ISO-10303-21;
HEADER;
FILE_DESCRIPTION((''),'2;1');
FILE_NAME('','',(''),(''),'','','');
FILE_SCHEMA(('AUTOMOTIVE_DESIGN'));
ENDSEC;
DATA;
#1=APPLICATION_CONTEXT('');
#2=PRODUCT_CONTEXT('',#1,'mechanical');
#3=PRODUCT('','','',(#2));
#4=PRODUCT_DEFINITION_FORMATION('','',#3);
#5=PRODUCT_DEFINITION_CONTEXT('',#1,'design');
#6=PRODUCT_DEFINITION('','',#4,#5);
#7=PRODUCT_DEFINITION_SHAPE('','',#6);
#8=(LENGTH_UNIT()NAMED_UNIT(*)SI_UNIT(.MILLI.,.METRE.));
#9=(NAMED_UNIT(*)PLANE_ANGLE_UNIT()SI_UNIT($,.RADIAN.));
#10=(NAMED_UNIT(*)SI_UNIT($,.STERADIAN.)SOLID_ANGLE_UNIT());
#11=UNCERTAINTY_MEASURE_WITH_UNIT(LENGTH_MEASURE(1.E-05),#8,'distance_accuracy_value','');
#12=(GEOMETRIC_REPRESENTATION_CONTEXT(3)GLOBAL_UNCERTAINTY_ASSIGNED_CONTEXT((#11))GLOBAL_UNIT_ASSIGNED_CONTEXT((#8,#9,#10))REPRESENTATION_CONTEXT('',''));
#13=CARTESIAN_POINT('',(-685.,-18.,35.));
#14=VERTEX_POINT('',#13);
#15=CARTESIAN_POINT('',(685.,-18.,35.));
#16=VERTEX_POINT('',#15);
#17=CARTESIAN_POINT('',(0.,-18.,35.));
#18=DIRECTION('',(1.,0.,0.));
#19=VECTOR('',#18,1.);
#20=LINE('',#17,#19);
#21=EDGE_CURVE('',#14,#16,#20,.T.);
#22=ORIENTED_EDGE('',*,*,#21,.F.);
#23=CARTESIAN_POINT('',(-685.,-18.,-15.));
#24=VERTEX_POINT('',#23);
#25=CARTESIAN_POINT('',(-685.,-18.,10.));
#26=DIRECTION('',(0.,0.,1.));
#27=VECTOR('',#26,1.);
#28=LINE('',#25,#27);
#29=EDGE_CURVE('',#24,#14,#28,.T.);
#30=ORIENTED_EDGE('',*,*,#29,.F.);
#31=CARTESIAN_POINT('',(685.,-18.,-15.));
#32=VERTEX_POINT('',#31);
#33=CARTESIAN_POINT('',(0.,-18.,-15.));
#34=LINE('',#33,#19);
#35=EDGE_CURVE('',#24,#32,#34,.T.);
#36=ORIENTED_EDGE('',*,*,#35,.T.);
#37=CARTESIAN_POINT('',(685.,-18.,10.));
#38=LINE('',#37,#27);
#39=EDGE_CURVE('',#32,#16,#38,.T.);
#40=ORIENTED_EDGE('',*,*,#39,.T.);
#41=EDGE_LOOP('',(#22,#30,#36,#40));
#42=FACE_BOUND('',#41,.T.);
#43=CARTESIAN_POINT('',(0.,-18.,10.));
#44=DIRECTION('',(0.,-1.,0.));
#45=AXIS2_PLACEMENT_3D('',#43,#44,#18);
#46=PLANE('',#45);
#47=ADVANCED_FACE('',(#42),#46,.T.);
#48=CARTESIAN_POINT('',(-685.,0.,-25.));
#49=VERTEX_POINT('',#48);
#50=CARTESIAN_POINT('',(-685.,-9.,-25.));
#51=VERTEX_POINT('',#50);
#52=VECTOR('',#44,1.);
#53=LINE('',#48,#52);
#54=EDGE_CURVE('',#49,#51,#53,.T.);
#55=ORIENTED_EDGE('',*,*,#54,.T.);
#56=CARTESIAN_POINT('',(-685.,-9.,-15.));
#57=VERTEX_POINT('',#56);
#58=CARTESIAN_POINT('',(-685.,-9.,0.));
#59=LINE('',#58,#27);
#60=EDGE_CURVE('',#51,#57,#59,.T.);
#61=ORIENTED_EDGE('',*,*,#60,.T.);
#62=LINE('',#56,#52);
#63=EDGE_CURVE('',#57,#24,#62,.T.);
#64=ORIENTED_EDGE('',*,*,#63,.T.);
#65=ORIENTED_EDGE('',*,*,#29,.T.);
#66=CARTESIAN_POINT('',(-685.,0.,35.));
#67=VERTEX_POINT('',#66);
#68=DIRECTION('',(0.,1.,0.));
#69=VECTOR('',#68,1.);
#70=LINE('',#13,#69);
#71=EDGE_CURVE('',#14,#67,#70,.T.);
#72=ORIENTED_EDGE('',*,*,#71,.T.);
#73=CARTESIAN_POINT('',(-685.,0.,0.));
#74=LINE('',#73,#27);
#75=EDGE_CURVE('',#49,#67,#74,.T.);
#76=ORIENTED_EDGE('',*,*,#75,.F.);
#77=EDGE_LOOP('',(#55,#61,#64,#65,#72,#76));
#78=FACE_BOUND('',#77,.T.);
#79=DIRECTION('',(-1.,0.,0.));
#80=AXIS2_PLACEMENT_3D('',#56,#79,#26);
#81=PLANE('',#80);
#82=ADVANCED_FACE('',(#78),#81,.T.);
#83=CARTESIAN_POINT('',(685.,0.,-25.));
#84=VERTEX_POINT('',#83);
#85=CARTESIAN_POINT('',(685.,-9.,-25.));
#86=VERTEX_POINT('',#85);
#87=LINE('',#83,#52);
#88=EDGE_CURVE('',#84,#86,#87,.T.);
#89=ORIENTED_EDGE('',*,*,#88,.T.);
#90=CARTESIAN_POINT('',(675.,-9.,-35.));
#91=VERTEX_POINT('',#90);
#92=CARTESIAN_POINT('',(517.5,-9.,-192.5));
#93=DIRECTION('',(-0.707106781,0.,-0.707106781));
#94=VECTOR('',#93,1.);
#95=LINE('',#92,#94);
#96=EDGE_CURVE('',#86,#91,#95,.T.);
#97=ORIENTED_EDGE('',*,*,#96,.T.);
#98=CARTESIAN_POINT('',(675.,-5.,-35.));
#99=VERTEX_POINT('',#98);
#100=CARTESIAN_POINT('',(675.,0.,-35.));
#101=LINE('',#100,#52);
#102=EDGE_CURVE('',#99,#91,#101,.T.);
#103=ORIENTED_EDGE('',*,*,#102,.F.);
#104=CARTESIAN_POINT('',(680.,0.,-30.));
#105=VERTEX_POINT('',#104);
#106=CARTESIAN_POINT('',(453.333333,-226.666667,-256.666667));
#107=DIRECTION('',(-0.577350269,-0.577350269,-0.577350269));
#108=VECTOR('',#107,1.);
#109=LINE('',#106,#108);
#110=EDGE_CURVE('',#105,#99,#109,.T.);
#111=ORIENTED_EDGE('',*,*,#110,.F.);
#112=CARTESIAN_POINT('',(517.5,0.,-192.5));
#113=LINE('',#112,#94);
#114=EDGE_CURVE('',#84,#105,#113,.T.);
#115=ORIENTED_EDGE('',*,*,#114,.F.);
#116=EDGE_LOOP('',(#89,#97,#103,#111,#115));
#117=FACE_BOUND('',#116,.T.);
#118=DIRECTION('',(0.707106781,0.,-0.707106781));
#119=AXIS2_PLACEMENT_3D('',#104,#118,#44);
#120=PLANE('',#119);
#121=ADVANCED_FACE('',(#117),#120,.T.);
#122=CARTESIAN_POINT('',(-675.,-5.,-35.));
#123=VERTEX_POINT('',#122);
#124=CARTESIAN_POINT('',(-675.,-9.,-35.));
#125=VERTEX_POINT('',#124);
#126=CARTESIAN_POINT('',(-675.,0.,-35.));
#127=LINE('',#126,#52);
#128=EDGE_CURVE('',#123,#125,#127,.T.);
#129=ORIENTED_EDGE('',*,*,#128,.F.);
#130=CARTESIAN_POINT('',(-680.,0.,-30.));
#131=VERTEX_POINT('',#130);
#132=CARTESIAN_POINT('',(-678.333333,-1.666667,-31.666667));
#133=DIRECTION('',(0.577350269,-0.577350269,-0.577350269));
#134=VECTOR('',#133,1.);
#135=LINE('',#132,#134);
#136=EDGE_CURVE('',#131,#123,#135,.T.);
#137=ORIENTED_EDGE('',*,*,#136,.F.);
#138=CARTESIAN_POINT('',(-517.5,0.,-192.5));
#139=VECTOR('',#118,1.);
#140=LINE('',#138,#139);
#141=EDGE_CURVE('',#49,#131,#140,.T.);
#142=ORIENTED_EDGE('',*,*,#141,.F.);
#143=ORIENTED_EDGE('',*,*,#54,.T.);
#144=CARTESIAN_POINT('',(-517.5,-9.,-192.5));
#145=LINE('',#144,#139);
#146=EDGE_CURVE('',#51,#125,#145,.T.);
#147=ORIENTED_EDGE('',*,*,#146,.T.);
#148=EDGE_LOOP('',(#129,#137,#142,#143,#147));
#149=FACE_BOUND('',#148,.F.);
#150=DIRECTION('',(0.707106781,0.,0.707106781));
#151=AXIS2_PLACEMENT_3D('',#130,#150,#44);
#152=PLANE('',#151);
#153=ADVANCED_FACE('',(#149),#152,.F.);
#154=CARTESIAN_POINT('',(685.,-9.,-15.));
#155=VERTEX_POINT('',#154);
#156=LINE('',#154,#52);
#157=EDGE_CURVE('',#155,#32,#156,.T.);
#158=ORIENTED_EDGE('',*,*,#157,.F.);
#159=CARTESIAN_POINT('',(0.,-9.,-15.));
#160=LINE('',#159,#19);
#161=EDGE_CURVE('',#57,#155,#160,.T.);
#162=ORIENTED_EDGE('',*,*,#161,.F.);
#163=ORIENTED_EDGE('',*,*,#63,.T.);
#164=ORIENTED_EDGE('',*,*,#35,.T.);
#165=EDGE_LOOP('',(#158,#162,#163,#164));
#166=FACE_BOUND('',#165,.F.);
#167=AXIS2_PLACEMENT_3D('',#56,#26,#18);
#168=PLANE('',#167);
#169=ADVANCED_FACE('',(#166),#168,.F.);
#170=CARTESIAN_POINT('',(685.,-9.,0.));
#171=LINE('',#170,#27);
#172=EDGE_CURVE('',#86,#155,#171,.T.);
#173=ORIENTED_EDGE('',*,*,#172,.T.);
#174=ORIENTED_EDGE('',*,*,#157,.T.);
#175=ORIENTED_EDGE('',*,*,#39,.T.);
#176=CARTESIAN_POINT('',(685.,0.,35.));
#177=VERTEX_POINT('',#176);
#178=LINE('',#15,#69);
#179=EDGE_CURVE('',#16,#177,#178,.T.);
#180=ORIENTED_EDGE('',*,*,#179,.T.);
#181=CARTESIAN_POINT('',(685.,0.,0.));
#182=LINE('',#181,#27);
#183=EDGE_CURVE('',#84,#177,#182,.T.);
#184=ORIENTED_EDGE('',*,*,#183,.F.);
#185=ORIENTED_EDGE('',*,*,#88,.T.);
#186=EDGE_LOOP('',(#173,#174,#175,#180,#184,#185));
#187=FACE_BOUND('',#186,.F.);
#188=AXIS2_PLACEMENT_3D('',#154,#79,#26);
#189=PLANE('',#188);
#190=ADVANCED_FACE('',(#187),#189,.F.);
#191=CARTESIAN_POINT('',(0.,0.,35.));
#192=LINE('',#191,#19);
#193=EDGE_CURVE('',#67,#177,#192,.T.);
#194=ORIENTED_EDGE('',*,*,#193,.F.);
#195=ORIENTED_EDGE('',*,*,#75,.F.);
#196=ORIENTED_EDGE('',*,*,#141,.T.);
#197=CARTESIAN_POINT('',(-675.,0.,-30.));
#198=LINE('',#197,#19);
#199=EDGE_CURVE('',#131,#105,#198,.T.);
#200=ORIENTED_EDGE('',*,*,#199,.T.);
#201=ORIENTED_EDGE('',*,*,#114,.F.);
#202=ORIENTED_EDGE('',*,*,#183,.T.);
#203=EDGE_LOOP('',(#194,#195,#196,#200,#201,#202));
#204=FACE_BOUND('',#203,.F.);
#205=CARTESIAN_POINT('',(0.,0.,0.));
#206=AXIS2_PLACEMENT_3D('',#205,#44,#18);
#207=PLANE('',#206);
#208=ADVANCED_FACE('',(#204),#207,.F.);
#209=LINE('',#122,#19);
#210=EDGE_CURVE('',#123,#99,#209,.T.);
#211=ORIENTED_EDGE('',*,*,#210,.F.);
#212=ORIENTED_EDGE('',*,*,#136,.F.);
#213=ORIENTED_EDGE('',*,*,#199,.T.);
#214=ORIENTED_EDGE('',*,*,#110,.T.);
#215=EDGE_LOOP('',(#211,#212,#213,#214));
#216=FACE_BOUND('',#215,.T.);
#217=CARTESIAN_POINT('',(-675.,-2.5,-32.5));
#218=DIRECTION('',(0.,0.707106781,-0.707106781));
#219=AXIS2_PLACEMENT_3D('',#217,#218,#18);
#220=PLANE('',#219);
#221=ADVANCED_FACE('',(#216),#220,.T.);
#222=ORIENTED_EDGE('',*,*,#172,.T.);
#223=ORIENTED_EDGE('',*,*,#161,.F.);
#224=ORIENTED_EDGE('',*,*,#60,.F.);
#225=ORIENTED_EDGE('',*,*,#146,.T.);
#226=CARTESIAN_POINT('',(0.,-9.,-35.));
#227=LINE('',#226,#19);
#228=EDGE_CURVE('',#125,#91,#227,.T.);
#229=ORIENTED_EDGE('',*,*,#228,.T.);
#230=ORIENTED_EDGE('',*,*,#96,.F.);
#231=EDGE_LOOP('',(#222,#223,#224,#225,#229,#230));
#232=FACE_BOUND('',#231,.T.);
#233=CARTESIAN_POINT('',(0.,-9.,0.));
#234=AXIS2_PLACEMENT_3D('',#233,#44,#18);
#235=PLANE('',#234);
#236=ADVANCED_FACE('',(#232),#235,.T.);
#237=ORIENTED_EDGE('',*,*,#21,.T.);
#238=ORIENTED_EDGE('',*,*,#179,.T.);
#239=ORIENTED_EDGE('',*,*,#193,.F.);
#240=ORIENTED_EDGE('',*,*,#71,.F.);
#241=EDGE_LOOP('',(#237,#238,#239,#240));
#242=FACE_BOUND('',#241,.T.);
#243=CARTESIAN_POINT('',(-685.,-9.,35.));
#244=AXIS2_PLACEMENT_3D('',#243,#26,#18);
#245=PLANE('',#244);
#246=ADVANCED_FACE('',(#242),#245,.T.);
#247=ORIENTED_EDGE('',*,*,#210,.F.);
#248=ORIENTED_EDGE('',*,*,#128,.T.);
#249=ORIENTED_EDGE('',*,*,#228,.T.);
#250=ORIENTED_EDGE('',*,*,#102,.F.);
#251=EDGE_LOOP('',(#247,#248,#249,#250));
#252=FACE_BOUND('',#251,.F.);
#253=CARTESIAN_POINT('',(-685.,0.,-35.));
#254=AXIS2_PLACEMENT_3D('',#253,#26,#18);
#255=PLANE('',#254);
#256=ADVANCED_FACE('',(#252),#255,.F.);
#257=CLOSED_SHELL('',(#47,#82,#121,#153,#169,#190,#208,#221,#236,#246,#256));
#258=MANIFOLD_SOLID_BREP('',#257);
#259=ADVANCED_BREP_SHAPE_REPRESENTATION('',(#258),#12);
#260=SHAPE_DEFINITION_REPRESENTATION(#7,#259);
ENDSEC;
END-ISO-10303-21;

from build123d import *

# Parameters (mm, degrees)
F0_W     = 1370
F0_H     = 70
F1_DEPTH = 9
F2_W     = 1370
F2_H     = 50
F3_DEPTH = 9
F4_SIZE  = 10
F5_SIZE  = 5


with BuildPart() as f1:
    # F0 (on Front) → F1 (new body)
    with BuildSketch(Plane.XZ):
        Rectangle(F0_W, F0_H)
    extrude(amount=F1_DEPTH)

    # F2 (on face) → F3 (join)
    with BuildSketch(Plane.XZ.offset(9)):
        with Locations((0, 10)):
            Rectangle(F2_W, F2_H)
    extrude(amount=F3_DEPTH)

    # F4
    f4_edges = [f1.edges().sort_by_distance(p)[0] for p in [
        (685, -4.5, -35),
        (-685, -4.5, -35),
    ]]
    chamfer(f4_edges, length=F4_SIZE)

    # F5
    f5_edges = [f1.edges().sort_by_distance(p)[0] for p in [
        (0, 0, -35),
    ]]
    chamfer(f5_edges, length=F5_SIZE)


solid = f1.part
